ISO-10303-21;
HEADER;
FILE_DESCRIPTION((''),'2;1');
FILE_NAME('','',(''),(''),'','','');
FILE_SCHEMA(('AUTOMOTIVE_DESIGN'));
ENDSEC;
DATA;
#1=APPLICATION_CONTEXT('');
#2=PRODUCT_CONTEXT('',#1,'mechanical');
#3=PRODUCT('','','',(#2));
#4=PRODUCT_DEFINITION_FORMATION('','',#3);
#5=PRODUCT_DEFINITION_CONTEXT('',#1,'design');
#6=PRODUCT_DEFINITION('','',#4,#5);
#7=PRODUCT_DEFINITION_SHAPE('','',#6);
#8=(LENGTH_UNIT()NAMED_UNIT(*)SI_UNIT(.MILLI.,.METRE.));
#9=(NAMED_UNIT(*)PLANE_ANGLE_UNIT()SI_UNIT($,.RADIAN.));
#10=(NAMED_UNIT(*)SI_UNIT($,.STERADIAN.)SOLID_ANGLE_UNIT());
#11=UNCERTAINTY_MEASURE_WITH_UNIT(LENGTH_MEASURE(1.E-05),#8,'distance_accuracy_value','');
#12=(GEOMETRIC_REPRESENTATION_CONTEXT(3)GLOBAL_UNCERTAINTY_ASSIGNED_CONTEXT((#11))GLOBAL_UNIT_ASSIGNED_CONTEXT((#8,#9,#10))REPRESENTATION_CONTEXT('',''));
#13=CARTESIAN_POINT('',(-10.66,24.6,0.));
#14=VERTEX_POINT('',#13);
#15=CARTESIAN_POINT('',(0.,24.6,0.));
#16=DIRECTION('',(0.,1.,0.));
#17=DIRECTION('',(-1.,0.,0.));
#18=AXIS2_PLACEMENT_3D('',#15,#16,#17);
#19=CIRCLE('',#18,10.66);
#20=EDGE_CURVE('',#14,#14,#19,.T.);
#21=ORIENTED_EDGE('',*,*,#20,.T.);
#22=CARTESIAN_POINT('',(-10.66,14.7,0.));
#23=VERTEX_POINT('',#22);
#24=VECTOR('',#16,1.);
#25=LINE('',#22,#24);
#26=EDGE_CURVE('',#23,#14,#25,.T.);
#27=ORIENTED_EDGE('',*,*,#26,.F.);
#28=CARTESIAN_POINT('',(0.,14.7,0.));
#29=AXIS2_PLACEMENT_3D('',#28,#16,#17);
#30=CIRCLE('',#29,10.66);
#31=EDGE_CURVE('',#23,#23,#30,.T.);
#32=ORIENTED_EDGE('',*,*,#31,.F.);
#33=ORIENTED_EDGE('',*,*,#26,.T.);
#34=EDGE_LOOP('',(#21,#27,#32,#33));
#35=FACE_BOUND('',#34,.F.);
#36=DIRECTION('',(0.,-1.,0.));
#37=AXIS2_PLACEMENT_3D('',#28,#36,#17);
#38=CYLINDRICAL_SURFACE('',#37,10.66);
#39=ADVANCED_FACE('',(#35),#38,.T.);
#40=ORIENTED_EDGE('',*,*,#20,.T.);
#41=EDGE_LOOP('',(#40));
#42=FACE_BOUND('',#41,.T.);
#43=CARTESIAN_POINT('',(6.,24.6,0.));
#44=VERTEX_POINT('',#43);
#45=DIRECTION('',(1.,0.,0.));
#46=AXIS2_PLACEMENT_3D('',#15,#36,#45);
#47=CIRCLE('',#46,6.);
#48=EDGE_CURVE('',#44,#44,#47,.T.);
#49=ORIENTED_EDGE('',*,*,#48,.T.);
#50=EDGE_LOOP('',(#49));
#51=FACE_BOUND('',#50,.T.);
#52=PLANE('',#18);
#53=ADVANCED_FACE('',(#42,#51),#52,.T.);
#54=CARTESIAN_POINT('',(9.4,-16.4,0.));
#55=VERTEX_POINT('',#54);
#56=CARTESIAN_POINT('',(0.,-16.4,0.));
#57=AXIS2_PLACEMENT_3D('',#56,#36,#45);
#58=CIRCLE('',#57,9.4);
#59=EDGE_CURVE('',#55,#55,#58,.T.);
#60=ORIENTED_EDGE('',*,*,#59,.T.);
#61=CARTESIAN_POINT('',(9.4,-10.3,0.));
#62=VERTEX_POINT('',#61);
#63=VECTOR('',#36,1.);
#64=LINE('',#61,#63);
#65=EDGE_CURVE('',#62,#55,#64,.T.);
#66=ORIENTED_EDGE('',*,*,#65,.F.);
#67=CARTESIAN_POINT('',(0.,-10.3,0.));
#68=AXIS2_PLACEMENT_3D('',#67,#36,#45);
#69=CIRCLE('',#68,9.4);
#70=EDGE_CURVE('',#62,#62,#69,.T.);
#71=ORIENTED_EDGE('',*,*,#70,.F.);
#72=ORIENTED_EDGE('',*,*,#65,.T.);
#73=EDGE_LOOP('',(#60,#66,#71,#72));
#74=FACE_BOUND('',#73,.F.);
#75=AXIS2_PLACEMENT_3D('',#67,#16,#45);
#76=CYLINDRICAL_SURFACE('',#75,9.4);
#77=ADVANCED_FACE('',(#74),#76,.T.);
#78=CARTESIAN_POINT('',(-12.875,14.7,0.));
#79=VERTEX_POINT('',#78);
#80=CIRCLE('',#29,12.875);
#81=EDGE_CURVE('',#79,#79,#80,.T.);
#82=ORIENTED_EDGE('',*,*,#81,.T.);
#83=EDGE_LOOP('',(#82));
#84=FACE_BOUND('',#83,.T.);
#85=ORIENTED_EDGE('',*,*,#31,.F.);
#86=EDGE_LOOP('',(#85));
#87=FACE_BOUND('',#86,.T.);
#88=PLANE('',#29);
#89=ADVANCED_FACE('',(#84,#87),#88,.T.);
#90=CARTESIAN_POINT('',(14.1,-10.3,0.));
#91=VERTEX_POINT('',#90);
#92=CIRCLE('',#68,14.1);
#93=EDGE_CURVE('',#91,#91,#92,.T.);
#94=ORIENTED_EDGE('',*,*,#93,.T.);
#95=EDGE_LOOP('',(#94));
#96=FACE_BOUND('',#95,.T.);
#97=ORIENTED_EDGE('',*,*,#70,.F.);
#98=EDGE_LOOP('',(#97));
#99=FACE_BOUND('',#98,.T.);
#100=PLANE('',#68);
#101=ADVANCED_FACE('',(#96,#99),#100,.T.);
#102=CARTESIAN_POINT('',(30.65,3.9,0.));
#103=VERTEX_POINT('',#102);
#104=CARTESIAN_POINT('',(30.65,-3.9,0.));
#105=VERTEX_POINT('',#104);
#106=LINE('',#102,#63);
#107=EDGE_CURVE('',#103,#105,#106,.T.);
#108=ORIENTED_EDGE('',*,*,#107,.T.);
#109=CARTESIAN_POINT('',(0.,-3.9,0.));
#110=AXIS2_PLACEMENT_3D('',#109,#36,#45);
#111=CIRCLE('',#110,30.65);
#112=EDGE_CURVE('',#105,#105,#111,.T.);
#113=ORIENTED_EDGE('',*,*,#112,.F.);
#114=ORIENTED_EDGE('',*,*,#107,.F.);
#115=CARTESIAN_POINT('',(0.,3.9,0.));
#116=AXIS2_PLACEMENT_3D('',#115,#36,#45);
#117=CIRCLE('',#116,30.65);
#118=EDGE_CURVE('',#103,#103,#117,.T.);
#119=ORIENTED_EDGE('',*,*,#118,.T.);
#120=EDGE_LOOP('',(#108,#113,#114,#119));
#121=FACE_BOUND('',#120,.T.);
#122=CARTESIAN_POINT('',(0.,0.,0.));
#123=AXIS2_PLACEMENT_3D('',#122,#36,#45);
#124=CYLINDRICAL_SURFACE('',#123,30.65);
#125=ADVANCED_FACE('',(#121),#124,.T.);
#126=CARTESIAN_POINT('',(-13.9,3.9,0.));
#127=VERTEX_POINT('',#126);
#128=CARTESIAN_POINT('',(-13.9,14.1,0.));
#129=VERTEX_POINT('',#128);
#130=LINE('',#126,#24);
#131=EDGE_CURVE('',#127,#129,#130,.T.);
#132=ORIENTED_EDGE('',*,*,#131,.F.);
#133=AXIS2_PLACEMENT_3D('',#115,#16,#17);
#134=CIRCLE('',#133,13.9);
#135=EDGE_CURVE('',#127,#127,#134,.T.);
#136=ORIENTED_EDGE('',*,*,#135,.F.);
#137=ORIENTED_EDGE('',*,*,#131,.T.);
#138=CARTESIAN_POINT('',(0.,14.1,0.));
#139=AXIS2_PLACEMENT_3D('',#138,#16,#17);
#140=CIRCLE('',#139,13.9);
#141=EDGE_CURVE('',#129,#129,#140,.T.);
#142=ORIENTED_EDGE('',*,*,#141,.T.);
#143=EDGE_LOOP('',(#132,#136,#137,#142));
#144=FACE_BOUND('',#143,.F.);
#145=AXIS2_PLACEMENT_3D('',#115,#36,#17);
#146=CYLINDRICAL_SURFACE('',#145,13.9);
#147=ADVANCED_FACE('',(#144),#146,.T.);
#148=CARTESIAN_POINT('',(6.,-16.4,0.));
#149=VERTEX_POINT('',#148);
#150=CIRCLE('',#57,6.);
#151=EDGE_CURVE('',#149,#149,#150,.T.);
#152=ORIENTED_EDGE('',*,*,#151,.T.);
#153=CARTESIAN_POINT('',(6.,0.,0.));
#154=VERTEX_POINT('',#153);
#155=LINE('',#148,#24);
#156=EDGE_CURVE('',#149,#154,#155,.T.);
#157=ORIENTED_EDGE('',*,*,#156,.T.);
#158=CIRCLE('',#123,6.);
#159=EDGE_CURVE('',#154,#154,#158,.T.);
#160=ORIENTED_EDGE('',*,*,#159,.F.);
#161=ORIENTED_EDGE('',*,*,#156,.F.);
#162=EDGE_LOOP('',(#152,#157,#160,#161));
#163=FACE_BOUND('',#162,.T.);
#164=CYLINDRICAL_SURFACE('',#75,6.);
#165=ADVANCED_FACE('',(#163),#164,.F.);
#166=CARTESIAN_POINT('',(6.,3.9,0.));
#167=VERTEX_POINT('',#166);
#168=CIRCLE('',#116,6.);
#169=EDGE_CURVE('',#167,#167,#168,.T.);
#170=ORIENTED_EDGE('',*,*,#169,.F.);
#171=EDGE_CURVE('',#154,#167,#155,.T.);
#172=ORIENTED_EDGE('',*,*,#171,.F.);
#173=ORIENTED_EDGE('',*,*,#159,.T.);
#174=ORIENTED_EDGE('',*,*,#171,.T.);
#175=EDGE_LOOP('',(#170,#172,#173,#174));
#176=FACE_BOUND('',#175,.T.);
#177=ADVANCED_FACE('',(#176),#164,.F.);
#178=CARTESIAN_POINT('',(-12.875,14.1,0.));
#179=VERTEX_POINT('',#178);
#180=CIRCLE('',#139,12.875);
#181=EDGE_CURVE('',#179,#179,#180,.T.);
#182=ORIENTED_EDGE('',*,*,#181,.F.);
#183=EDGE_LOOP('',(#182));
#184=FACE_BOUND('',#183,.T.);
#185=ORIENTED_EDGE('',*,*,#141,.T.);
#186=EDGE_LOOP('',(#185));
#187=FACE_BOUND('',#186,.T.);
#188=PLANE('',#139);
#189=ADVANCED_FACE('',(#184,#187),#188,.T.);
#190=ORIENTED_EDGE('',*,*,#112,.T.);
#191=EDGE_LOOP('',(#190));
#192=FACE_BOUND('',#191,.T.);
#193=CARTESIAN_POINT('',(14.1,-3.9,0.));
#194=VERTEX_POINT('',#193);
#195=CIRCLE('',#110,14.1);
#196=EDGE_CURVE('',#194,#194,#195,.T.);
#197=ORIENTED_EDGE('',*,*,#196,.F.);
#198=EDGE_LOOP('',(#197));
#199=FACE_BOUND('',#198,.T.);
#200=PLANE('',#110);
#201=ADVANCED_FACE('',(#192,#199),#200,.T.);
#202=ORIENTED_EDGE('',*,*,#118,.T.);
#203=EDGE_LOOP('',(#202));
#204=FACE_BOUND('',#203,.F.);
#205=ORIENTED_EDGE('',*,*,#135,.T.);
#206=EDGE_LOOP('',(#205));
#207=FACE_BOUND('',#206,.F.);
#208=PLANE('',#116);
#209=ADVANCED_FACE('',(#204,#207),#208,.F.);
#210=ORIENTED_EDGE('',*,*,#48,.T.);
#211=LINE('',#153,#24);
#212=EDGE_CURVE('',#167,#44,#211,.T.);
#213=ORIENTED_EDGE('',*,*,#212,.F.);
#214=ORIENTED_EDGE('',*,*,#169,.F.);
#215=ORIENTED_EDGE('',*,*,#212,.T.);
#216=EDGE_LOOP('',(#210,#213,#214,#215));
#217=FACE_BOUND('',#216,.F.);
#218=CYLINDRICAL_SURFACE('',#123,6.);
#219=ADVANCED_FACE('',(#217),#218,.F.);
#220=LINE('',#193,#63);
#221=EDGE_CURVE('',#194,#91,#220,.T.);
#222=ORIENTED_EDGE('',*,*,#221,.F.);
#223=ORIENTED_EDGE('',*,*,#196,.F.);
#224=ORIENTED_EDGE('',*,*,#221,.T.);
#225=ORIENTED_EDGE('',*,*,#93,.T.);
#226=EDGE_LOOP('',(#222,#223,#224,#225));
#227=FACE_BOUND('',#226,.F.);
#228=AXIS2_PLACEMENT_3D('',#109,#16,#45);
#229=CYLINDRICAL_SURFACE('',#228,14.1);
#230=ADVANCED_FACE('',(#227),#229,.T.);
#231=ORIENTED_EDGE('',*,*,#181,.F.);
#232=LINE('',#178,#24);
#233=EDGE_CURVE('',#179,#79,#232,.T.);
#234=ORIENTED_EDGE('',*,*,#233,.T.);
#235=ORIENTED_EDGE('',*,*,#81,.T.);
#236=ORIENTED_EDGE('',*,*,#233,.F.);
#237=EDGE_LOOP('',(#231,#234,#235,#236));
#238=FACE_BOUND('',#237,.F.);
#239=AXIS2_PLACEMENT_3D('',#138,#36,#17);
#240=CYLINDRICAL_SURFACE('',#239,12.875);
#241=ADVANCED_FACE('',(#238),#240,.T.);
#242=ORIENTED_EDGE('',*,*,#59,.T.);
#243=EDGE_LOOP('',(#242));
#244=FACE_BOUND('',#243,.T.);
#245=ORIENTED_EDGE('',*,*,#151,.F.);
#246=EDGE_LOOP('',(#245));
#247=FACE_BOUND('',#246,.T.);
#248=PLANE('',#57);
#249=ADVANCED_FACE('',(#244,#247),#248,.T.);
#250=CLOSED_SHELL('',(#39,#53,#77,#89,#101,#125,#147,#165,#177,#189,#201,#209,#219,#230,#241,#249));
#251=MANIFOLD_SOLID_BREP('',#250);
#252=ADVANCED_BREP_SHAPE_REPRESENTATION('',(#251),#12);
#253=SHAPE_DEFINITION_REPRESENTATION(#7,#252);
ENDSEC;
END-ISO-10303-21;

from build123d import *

# Parameters (mm, degrees)
F0_R      = 30.65
F0_R_2    = 6
F1_DEPTH  = 3.9
F2_R      = 14.1
F2_R_2    = 6
F3_DEPTH  = 6.4
F4_R      = 9.4
F4_R_2    = 6
F5_DEPTH  = 6.1
F6_R      = 13.9
F7_DEPTH  = 10.2
F8_R      = 12.875
F9_DEPTH  = 0.6
F10_R     = 10.66
F11_DEPTH = 9.9
F12_DEPTH = 24.601


with BuildPart() as f1:
    # F0 (on Front) → F1 (new body, symmetric)
    with BuildSketch(Plane.XZ):
        Circle(F0_R)
        Circle(F0_R_2, mode=Mode.SUBTRACT)
    extrude(amount=F1_DEPTH, both=True)

    # F2 (on face) → F3 (join)
    with BuildSketch(Plane.XZ.offset(3.9)):
        Circle(F2_R)
        Circle(F2_R_2, mode=Mode.SUBTRACT)
    extrude(amount=F3_DEPTH)

    # F4 (on face) → F5 (join)
    with BuildSketch(Plane.XZ.offset(10.3)):
        Circle(F4_R)
        Circle(F4_R_2, mode=Mode.SUBTRACT)
    extrude(amount=F5_DEPTH)

    # F6 (on face) → F7 (join)
    with BuildSketch(Plane(origin=(0, 3.9, 0), x_dir=(-1, 0, 0), z_dir=(0, 1, 0))):
        Circle(F6_R)
    extrude(amount=F7_DEPTH)

    # F8 (on face) → F9 (join)
    with BuildSketch(Plane(origin=(0, 14.1, 0), x_dir=(-1, 0, 0), z_dir=(0, 1, 0))):
        Circle(F8_R)
    extrude(amount=F9_DEPTH)

    # F10 (on face) → F11 (join)
    with BuildSketch(Plane(origin=(0, 14.7, 0), x_dir=(-1, 0, 0), z_dir=(0, 1, 0))):
        Circle(F10_R)
    extrude(amount=F11_DEPTH)

    # F0 (on Front) → F12 (cut, through all)
    with BuildSketch(Plane.XZ):
        Circle(F0_R_2)
    extrude(amount=-F12_DEPTH, mode=Mode.SUBTRACT)


solid = f1.part
